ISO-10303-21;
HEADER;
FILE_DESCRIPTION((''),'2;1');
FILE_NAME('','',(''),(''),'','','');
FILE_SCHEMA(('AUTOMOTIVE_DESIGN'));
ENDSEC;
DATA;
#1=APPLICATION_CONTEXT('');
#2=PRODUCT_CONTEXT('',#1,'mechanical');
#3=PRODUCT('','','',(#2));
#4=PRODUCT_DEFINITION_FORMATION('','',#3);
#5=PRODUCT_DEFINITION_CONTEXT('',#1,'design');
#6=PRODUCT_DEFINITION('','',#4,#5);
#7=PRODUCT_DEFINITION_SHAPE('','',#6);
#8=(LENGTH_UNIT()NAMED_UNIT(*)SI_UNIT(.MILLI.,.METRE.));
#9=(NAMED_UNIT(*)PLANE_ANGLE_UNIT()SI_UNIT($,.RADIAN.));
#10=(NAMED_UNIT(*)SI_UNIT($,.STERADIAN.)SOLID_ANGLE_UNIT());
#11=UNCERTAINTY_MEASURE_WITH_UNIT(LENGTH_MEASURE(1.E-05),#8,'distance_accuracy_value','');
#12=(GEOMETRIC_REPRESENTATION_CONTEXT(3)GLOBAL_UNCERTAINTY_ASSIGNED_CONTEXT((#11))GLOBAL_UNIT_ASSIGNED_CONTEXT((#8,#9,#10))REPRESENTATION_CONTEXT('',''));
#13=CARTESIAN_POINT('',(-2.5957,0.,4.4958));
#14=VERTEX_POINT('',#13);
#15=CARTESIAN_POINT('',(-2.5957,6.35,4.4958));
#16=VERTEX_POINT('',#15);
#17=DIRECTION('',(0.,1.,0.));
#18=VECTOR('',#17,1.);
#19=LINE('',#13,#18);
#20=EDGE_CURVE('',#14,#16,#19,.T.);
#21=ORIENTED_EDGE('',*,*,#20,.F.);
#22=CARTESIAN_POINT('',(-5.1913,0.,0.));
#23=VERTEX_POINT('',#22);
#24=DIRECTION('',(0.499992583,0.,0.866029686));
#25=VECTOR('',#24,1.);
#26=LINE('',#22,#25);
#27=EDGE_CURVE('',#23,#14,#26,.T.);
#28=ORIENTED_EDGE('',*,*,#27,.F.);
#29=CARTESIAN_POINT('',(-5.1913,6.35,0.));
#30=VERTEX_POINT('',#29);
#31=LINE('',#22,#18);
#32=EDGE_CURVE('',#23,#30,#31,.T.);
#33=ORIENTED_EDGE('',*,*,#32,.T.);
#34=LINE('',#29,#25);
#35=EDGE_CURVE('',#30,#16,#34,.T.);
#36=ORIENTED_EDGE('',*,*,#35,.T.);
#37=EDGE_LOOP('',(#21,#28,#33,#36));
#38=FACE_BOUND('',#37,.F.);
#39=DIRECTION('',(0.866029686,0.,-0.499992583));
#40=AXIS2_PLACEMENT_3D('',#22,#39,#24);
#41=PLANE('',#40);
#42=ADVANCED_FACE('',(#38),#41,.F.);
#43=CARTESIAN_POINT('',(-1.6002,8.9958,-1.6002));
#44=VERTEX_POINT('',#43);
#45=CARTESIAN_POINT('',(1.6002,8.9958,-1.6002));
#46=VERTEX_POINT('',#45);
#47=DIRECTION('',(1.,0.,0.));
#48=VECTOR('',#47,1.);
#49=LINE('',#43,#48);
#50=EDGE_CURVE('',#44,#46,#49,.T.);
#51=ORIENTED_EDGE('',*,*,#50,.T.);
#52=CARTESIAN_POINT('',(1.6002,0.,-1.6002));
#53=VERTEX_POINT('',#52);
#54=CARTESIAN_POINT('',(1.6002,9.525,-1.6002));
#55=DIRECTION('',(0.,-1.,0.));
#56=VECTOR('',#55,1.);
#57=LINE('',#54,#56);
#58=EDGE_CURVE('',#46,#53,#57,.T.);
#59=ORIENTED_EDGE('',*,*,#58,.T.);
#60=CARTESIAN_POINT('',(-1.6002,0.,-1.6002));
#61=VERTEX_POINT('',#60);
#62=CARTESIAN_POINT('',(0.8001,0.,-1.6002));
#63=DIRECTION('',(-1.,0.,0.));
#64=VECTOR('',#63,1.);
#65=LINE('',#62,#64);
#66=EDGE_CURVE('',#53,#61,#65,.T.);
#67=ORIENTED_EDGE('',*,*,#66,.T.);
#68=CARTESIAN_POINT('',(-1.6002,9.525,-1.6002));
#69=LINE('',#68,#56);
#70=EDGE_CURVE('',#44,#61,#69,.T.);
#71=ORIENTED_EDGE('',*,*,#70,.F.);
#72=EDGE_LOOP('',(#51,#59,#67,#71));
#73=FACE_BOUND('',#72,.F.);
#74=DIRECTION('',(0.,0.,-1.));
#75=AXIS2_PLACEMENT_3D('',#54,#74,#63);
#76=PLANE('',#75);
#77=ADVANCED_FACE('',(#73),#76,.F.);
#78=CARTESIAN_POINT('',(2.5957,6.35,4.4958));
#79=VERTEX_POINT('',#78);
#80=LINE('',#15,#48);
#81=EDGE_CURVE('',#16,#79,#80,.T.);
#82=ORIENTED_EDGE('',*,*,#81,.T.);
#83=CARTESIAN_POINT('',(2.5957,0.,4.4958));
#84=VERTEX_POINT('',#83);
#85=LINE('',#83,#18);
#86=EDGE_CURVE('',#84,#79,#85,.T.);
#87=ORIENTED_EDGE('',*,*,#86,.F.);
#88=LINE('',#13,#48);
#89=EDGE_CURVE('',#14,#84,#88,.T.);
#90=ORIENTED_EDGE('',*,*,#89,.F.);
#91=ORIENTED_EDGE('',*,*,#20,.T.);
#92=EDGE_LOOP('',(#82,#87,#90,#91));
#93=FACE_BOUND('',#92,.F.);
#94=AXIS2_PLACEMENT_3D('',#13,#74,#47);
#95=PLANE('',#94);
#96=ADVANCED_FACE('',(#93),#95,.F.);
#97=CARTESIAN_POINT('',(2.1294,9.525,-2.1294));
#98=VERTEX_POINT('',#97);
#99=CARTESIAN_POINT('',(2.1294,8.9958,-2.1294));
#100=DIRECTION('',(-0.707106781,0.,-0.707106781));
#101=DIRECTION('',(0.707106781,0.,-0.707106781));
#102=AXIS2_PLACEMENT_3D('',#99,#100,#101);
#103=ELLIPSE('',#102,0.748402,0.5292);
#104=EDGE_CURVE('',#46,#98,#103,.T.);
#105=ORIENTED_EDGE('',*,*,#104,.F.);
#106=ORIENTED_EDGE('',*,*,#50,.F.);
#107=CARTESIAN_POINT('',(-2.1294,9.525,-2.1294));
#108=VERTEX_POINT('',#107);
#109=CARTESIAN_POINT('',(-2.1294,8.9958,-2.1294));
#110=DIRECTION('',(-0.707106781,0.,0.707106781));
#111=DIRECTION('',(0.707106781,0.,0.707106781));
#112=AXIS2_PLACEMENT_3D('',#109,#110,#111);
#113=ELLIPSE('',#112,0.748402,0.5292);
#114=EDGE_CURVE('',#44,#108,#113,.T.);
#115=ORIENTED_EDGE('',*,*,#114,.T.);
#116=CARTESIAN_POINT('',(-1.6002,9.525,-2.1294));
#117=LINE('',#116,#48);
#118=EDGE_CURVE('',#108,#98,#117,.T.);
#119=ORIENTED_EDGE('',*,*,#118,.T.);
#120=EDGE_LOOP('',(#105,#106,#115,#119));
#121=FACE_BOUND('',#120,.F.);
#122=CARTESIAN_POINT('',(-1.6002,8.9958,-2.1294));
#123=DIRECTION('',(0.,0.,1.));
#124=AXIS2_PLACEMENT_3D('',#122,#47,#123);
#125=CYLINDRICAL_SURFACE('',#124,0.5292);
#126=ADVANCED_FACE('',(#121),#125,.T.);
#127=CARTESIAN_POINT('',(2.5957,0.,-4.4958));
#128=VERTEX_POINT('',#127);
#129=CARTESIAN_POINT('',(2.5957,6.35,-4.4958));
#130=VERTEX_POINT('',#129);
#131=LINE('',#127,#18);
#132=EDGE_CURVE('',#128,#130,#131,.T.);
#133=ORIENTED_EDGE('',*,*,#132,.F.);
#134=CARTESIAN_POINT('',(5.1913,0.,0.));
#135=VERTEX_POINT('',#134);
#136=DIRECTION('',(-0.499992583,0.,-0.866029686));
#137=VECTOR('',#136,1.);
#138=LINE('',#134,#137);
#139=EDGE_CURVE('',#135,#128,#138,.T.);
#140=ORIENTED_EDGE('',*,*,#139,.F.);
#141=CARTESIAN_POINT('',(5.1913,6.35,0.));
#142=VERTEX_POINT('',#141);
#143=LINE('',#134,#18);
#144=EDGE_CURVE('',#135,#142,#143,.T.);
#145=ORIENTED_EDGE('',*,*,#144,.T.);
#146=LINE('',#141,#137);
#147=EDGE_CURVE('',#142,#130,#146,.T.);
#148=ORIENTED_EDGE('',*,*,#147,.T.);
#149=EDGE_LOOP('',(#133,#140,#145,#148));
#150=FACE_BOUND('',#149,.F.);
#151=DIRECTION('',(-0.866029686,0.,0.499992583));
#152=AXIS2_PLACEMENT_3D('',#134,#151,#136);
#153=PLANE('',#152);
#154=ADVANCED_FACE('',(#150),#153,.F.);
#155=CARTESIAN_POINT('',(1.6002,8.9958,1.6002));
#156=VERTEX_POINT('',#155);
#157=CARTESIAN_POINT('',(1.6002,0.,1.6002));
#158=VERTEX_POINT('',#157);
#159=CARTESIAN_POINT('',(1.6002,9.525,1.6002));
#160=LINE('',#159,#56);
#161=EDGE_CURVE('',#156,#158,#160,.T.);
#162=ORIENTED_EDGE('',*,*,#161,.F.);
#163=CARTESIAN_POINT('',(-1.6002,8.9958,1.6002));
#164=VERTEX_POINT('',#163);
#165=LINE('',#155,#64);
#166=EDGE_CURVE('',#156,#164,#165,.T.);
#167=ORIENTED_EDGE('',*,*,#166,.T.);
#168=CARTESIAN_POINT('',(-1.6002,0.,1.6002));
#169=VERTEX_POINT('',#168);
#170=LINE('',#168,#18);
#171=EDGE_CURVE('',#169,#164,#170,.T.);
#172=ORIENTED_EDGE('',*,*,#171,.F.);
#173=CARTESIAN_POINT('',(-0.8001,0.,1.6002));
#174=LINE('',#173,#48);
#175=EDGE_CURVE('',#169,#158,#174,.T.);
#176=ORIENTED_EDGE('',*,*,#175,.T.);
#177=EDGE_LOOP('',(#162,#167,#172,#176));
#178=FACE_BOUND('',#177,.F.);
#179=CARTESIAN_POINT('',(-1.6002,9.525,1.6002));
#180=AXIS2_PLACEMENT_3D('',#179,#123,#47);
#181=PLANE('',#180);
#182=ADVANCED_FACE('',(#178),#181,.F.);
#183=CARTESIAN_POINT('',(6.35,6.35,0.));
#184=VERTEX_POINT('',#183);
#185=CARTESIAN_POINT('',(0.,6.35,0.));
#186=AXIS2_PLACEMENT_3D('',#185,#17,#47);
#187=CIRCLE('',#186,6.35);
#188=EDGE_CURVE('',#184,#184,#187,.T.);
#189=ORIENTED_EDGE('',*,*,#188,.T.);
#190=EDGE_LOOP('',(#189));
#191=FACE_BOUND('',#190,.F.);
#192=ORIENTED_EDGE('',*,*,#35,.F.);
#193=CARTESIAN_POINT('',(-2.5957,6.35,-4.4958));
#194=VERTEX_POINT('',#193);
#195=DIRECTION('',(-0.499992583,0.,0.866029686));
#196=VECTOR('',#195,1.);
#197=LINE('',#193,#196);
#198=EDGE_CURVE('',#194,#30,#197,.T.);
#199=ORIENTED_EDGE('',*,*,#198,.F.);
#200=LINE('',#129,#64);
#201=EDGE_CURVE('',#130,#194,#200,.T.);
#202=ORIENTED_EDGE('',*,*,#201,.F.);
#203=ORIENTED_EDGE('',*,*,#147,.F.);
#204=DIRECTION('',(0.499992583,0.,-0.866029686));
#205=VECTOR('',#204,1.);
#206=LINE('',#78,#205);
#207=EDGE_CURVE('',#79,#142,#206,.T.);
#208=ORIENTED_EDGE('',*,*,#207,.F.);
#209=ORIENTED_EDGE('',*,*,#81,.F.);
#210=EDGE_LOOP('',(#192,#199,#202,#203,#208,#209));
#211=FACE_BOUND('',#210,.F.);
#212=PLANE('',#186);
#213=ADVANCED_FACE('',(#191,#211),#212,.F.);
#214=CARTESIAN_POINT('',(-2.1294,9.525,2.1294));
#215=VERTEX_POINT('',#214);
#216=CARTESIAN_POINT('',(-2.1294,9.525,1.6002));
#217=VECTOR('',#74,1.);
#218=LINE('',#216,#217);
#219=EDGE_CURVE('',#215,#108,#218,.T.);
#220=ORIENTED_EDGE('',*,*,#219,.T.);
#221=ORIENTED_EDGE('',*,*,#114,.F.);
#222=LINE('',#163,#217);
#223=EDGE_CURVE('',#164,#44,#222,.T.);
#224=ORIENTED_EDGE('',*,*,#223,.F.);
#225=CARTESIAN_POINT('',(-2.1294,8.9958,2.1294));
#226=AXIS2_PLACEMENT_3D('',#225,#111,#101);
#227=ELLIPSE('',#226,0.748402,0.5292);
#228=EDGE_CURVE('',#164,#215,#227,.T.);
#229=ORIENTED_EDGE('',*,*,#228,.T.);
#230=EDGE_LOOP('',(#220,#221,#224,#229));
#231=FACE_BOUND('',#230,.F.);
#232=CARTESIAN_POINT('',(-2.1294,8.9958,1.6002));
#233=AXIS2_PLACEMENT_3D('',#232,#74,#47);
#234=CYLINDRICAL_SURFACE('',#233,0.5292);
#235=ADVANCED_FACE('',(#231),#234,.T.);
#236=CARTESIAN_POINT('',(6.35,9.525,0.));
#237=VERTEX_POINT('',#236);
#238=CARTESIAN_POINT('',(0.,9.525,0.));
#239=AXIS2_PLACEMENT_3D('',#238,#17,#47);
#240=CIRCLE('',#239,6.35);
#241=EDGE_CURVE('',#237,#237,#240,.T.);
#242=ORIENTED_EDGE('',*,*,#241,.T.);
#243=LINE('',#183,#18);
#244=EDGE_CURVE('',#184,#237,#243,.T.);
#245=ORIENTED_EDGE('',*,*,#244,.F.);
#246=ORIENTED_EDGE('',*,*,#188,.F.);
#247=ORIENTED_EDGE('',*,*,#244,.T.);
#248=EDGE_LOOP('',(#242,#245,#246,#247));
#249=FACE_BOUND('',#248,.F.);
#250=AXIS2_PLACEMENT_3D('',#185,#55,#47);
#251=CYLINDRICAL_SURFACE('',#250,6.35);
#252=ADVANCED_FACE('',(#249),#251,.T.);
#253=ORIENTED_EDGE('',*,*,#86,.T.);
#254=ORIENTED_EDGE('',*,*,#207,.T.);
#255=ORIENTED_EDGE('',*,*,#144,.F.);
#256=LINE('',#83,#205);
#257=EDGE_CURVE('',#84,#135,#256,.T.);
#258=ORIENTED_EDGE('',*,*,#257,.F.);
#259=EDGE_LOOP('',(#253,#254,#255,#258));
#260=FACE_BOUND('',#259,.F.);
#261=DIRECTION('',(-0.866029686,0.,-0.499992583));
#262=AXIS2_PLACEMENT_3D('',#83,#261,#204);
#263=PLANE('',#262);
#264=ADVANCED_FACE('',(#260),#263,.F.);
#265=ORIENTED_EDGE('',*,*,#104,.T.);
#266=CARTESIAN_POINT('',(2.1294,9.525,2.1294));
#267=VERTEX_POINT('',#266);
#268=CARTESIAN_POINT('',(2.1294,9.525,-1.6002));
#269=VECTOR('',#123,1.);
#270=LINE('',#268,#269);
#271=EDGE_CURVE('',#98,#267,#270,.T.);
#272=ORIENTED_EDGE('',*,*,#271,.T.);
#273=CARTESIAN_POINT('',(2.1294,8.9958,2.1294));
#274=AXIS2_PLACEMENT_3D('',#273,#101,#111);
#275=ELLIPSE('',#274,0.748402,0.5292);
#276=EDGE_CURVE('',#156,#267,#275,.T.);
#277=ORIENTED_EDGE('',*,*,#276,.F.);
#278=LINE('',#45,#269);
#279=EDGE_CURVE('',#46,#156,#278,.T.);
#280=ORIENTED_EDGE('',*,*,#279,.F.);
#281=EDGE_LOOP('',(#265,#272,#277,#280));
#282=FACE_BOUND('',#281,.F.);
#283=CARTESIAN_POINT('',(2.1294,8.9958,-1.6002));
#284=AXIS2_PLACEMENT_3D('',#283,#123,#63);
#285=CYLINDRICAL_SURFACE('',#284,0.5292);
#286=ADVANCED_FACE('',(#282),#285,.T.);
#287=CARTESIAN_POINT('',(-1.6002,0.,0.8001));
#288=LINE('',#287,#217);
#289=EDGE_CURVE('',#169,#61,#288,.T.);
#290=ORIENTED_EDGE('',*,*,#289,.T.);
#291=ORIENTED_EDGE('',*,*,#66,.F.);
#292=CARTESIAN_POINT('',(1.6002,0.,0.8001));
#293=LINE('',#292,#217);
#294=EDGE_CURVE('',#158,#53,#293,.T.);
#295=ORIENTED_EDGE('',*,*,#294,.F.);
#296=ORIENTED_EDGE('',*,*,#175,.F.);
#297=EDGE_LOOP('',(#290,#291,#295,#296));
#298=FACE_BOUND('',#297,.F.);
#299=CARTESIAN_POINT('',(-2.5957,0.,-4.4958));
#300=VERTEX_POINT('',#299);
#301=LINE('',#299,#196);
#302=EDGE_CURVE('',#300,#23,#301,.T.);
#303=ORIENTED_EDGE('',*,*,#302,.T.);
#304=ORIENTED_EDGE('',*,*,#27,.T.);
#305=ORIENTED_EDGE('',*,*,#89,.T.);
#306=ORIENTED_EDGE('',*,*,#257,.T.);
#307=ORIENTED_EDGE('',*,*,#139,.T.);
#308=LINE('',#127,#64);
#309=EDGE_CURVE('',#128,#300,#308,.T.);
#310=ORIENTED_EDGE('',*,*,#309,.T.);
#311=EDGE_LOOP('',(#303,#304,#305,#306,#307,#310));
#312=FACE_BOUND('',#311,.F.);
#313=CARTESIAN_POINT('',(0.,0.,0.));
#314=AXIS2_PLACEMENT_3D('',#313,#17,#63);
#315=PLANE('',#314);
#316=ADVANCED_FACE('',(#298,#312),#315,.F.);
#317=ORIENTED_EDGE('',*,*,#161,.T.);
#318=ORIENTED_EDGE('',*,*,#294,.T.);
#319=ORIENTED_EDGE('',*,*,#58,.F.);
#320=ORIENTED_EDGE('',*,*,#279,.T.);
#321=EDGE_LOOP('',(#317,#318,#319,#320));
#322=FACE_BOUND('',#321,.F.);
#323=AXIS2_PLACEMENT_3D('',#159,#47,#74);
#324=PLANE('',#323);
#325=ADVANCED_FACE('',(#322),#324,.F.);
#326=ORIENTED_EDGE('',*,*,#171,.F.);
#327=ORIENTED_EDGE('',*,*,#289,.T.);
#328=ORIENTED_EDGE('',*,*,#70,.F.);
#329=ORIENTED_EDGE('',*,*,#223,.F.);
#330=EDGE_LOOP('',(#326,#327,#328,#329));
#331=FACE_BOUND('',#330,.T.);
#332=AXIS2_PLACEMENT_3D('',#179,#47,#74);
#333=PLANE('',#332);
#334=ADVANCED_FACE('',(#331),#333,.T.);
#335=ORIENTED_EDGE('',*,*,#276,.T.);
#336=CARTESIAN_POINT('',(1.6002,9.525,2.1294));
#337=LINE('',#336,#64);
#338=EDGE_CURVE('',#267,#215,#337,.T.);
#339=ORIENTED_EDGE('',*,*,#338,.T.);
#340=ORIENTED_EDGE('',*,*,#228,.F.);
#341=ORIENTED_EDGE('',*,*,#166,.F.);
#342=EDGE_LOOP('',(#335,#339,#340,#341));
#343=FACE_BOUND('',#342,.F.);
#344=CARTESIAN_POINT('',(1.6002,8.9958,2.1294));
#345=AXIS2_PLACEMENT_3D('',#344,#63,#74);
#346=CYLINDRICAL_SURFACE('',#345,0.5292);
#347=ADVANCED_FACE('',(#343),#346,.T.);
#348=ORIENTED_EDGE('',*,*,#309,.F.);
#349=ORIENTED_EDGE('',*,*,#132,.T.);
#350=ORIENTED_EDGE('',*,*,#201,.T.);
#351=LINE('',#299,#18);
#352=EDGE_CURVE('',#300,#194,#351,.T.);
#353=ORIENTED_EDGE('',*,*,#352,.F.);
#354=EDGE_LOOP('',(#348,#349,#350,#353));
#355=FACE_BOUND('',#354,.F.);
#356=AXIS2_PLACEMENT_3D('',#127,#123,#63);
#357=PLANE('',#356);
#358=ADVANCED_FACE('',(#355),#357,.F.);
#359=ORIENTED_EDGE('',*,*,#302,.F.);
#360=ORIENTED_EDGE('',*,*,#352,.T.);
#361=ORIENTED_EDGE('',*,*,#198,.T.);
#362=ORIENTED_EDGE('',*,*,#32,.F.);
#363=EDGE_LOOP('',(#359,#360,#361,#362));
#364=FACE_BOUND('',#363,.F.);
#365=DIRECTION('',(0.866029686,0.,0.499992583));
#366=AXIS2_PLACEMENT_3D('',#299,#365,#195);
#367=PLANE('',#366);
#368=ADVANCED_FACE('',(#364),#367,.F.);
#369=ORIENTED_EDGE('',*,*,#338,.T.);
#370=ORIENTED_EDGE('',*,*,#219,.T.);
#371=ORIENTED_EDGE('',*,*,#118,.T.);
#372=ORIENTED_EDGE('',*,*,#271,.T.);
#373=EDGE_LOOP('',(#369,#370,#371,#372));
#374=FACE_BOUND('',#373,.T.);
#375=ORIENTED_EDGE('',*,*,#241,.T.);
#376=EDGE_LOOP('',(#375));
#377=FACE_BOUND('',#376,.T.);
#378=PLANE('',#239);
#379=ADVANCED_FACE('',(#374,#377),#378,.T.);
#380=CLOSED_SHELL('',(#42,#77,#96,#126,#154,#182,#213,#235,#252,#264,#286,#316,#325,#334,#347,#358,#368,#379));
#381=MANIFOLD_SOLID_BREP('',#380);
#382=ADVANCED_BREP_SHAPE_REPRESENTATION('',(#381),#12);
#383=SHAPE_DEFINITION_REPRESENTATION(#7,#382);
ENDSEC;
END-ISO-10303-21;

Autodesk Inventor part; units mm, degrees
ref_plane "YZ Plane" through (0, 0, 0) normal (1, 0, 0) x (0, 1, 0)
ref_plane "XZ Plane" through (0, 0, 0) normal (0, 1, 0) x (-1, 0, 0)
ref_plane "XY Plane" through (0, 0, 0) normal (0, 0, 1) x (1, 0, 0)
sketch "Sketch1" plane through (0, 0, 0) normal (0, 1, 0) x (-1, 0, 0)
  line L0 (-5.4846, 0) -> (-2.7423, 4.7498)
  line L1 (-2.7423, 4.7498) -> (2.7423, 4.7498)
  line L2 (2.7423, 4.7498) -> (5.4846, 0)
  line L3 (5.4846, 0) -> (2.7423, -4.7498)
  line L4 (2.7423, -4.7498) -> (-2.7423, -4.7498)
  line L5 (-2.7423, -4.7498) -> (-5.4846, 0)
  line L6 (-2.5957, -4.4958) -> (2.5957, -4.4958)
  line L7 (2.5957, -4.4958) -> (5.1913, 0)
  line L8 (5.1913, 0) -> (2.5957, 4.4958)
  line L9 (2.5957, 4.4958) -> (-2.5957, 4.4958)
  line L10 (-2.5957, 4.4958) -> (-5.1913, 0)
  line L11 (-5.1913, 0) -> (-2.5957, -4.4958)
  point P0 (0, 0)
  point P1 (0, 0)
  dimension "d0" = 9.4996
  dimension "d1" = 0.254
extrude "Extrusion1" add sketch "Sketch1" along normal blind 6.35 contours L11 L10 L9 L8 L7 L6
sketch "Sketch2" plane through (0, 6.35, 0) normal (0, 1, 0) x (1, 0, 0)
  circle A0 centre (0, 0) radius 6.35
  line L0 (1.6002, -1.6002) -> (-1.6002, -1.6002)
  line L1 (-1.6002, -1.6002) -> (-1.6002, 1.6002)
  line L2 (-1.6002, 1.6002) -> (1.6002, 1.6002)
  line L3 (1.6002, 1.6002) -> (1.6002, -1.6002)
  line L4 (1.6002, -1.6002) -> (-1.6002, 1.6002) construction
  line L5 (-1.6002, -1.6002) -> (1.6002, 1.6002) construction
  dimension "d4" = 12.7
  dimension "d5" = 3.2004
  dimension "d6" = 3.2004
extrude "Extrusion2" add sketch "Sketch2" along normal blind 3.175
sketch "Sketch3" plane through (0, 9.525, 0) normal (0, 1, 0) x (1, 0, 0)
  line L0 (-1.6002, -1.6002) -> (-1.6002, 1.6002) projected
  line L1 (-1.6002, 1.6002) -> (-1.6002, -1.6002) projected
  line L2 (-1.6002, -1.6002) -> (1.6002, -1.6002) projected
  line L3 (1.6002, -1.6002) -> (1.6002, 1.6002) projected
  line L4 (1.6002, 1.6002) -> (-1.6002, 1.6002) projected
  point P0 (0, 0)
extrude "Extrusion3" cut sketch "Sketch3" against normal through all
fillet "Fillet1" radius 0.5292 4 edges at (0, 9.525, -1.6002) (1.6002, 9.525, 0) (-1.6002, 9.525, 0) (0, 9.525, 1.6002)
properties part number "Flex Wheel Connector"
